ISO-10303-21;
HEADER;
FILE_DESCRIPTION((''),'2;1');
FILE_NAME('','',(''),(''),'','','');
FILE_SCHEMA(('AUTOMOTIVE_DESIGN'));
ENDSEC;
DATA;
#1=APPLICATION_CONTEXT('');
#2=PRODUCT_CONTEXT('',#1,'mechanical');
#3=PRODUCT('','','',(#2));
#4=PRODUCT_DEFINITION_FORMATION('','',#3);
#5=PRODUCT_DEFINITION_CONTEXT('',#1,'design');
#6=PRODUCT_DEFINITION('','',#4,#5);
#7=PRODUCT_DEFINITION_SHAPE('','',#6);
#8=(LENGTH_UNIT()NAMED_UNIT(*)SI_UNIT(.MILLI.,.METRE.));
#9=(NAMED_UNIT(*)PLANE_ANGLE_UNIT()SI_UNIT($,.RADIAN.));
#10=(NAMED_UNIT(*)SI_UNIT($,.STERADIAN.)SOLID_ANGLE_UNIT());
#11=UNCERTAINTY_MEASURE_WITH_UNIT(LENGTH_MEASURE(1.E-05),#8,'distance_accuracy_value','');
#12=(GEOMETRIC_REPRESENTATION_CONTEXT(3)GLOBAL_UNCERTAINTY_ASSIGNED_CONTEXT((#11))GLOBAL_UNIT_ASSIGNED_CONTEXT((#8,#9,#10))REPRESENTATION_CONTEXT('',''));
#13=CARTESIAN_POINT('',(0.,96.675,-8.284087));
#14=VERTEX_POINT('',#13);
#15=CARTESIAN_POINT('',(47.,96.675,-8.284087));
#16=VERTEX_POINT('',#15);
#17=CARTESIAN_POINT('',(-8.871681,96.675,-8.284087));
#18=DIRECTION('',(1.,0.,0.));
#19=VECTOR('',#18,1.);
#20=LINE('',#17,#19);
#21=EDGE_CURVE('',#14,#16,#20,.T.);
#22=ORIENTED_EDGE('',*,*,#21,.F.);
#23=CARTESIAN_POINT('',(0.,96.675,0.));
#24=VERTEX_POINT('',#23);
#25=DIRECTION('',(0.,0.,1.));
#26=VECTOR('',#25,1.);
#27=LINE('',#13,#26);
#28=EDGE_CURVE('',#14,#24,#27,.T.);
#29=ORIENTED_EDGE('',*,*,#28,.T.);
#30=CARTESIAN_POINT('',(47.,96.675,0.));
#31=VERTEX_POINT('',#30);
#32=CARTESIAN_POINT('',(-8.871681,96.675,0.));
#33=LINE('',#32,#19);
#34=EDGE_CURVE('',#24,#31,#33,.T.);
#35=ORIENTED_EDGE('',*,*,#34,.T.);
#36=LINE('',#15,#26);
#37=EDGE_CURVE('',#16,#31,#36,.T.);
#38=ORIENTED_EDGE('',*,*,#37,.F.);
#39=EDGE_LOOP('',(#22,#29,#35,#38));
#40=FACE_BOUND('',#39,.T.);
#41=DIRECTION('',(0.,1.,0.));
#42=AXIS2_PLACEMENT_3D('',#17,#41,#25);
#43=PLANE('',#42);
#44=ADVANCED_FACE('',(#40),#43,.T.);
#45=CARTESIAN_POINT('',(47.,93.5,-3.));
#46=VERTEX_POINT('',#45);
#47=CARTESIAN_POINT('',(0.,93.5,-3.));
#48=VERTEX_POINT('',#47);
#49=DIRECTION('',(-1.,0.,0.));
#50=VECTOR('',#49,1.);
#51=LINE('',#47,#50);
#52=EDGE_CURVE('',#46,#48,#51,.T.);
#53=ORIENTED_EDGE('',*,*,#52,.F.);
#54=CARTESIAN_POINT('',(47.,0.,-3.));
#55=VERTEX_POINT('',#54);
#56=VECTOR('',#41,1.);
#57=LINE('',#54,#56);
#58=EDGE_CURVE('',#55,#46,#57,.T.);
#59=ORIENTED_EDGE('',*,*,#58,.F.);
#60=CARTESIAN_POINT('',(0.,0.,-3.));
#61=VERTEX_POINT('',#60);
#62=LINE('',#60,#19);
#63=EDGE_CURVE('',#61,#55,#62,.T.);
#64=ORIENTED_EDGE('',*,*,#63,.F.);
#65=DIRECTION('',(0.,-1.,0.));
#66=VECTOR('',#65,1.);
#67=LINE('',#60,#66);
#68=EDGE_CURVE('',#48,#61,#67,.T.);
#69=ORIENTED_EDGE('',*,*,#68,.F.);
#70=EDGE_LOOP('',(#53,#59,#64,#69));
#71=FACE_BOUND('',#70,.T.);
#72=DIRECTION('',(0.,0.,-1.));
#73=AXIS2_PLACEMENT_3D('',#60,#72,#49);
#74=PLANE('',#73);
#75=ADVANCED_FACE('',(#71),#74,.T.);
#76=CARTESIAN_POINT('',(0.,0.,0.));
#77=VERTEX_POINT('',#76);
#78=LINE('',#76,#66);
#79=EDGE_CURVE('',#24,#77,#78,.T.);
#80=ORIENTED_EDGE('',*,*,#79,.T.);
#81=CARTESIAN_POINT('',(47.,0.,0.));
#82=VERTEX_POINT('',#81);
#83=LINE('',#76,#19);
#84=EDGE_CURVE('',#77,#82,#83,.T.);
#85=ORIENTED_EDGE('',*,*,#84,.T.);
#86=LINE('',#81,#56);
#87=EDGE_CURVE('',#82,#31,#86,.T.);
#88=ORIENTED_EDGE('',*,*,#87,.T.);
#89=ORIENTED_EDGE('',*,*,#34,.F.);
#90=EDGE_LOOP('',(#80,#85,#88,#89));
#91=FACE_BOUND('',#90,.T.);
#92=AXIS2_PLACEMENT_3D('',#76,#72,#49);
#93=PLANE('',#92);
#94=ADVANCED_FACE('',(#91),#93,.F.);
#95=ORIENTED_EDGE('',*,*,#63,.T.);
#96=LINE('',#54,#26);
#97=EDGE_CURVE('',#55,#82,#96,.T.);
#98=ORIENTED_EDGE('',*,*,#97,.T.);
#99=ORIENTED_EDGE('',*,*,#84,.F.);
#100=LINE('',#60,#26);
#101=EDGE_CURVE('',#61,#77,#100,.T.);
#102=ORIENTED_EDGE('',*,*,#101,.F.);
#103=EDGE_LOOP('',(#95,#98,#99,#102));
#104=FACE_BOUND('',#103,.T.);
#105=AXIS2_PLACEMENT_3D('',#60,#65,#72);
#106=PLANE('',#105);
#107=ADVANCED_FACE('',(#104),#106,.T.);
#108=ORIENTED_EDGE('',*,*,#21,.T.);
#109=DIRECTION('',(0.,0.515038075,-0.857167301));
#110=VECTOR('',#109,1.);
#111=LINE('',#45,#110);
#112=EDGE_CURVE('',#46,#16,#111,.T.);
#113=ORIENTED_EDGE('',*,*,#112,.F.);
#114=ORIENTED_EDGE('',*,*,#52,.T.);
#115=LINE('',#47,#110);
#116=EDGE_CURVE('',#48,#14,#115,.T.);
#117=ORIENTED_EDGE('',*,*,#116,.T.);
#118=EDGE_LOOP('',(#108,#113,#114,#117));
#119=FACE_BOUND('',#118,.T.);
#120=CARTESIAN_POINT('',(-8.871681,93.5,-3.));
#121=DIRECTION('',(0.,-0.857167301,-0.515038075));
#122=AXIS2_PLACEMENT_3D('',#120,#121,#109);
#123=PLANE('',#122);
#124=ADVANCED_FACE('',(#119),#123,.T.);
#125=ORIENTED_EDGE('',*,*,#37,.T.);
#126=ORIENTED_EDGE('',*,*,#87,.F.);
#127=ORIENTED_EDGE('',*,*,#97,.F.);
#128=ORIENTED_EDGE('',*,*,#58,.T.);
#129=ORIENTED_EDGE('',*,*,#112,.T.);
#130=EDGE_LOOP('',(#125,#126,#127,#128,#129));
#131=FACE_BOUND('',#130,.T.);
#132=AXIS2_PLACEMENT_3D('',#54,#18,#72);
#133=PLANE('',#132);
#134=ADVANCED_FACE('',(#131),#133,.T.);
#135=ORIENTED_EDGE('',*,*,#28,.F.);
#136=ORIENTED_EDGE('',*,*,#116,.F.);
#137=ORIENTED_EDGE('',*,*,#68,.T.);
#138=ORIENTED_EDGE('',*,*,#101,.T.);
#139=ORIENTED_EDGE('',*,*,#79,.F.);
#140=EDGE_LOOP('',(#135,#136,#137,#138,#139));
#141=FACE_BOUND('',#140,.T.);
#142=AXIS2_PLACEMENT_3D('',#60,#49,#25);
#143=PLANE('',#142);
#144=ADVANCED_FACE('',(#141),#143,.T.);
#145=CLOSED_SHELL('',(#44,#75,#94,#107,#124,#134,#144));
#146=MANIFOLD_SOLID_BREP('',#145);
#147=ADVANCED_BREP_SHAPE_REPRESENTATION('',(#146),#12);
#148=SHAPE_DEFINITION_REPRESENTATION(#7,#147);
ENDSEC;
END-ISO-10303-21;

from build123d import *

# Parameters (mm, degrees)
ESQUISSE1_W        = 47
ESQUISSE1_H        = 93.5
BOSS_EXTRU_1_DEPTH = 3
BOSS_EXTRU_2_DEPTH = 47


with BuildPart() as part:
    # Esquisse1 → Boss.-Extru.1 (new body)
    with BuildSketch(Plane.XY):
        with Locations((23.5, 46.75)):
            Rectangle(ESQUISSE1_W, ESQUISSE1_H)
    extrude(amount=-BOSS_EXTRU_1_DEPTH)

    # Esquisse2 → Boss.-Extru.2 (add)
    with BuildSketch(Plane(origin=(47, 0, 0), x_dir=(0, 0, -1), z_dir=(1, 0, 0))):
        Polygon((3, 93.5), (8.284087356, 96.675), (0, 96.675), (0, 93.5), align=None)
    extrude(amount=-BOSS_EXTRU_2_DEPTH)


solid = part.part
